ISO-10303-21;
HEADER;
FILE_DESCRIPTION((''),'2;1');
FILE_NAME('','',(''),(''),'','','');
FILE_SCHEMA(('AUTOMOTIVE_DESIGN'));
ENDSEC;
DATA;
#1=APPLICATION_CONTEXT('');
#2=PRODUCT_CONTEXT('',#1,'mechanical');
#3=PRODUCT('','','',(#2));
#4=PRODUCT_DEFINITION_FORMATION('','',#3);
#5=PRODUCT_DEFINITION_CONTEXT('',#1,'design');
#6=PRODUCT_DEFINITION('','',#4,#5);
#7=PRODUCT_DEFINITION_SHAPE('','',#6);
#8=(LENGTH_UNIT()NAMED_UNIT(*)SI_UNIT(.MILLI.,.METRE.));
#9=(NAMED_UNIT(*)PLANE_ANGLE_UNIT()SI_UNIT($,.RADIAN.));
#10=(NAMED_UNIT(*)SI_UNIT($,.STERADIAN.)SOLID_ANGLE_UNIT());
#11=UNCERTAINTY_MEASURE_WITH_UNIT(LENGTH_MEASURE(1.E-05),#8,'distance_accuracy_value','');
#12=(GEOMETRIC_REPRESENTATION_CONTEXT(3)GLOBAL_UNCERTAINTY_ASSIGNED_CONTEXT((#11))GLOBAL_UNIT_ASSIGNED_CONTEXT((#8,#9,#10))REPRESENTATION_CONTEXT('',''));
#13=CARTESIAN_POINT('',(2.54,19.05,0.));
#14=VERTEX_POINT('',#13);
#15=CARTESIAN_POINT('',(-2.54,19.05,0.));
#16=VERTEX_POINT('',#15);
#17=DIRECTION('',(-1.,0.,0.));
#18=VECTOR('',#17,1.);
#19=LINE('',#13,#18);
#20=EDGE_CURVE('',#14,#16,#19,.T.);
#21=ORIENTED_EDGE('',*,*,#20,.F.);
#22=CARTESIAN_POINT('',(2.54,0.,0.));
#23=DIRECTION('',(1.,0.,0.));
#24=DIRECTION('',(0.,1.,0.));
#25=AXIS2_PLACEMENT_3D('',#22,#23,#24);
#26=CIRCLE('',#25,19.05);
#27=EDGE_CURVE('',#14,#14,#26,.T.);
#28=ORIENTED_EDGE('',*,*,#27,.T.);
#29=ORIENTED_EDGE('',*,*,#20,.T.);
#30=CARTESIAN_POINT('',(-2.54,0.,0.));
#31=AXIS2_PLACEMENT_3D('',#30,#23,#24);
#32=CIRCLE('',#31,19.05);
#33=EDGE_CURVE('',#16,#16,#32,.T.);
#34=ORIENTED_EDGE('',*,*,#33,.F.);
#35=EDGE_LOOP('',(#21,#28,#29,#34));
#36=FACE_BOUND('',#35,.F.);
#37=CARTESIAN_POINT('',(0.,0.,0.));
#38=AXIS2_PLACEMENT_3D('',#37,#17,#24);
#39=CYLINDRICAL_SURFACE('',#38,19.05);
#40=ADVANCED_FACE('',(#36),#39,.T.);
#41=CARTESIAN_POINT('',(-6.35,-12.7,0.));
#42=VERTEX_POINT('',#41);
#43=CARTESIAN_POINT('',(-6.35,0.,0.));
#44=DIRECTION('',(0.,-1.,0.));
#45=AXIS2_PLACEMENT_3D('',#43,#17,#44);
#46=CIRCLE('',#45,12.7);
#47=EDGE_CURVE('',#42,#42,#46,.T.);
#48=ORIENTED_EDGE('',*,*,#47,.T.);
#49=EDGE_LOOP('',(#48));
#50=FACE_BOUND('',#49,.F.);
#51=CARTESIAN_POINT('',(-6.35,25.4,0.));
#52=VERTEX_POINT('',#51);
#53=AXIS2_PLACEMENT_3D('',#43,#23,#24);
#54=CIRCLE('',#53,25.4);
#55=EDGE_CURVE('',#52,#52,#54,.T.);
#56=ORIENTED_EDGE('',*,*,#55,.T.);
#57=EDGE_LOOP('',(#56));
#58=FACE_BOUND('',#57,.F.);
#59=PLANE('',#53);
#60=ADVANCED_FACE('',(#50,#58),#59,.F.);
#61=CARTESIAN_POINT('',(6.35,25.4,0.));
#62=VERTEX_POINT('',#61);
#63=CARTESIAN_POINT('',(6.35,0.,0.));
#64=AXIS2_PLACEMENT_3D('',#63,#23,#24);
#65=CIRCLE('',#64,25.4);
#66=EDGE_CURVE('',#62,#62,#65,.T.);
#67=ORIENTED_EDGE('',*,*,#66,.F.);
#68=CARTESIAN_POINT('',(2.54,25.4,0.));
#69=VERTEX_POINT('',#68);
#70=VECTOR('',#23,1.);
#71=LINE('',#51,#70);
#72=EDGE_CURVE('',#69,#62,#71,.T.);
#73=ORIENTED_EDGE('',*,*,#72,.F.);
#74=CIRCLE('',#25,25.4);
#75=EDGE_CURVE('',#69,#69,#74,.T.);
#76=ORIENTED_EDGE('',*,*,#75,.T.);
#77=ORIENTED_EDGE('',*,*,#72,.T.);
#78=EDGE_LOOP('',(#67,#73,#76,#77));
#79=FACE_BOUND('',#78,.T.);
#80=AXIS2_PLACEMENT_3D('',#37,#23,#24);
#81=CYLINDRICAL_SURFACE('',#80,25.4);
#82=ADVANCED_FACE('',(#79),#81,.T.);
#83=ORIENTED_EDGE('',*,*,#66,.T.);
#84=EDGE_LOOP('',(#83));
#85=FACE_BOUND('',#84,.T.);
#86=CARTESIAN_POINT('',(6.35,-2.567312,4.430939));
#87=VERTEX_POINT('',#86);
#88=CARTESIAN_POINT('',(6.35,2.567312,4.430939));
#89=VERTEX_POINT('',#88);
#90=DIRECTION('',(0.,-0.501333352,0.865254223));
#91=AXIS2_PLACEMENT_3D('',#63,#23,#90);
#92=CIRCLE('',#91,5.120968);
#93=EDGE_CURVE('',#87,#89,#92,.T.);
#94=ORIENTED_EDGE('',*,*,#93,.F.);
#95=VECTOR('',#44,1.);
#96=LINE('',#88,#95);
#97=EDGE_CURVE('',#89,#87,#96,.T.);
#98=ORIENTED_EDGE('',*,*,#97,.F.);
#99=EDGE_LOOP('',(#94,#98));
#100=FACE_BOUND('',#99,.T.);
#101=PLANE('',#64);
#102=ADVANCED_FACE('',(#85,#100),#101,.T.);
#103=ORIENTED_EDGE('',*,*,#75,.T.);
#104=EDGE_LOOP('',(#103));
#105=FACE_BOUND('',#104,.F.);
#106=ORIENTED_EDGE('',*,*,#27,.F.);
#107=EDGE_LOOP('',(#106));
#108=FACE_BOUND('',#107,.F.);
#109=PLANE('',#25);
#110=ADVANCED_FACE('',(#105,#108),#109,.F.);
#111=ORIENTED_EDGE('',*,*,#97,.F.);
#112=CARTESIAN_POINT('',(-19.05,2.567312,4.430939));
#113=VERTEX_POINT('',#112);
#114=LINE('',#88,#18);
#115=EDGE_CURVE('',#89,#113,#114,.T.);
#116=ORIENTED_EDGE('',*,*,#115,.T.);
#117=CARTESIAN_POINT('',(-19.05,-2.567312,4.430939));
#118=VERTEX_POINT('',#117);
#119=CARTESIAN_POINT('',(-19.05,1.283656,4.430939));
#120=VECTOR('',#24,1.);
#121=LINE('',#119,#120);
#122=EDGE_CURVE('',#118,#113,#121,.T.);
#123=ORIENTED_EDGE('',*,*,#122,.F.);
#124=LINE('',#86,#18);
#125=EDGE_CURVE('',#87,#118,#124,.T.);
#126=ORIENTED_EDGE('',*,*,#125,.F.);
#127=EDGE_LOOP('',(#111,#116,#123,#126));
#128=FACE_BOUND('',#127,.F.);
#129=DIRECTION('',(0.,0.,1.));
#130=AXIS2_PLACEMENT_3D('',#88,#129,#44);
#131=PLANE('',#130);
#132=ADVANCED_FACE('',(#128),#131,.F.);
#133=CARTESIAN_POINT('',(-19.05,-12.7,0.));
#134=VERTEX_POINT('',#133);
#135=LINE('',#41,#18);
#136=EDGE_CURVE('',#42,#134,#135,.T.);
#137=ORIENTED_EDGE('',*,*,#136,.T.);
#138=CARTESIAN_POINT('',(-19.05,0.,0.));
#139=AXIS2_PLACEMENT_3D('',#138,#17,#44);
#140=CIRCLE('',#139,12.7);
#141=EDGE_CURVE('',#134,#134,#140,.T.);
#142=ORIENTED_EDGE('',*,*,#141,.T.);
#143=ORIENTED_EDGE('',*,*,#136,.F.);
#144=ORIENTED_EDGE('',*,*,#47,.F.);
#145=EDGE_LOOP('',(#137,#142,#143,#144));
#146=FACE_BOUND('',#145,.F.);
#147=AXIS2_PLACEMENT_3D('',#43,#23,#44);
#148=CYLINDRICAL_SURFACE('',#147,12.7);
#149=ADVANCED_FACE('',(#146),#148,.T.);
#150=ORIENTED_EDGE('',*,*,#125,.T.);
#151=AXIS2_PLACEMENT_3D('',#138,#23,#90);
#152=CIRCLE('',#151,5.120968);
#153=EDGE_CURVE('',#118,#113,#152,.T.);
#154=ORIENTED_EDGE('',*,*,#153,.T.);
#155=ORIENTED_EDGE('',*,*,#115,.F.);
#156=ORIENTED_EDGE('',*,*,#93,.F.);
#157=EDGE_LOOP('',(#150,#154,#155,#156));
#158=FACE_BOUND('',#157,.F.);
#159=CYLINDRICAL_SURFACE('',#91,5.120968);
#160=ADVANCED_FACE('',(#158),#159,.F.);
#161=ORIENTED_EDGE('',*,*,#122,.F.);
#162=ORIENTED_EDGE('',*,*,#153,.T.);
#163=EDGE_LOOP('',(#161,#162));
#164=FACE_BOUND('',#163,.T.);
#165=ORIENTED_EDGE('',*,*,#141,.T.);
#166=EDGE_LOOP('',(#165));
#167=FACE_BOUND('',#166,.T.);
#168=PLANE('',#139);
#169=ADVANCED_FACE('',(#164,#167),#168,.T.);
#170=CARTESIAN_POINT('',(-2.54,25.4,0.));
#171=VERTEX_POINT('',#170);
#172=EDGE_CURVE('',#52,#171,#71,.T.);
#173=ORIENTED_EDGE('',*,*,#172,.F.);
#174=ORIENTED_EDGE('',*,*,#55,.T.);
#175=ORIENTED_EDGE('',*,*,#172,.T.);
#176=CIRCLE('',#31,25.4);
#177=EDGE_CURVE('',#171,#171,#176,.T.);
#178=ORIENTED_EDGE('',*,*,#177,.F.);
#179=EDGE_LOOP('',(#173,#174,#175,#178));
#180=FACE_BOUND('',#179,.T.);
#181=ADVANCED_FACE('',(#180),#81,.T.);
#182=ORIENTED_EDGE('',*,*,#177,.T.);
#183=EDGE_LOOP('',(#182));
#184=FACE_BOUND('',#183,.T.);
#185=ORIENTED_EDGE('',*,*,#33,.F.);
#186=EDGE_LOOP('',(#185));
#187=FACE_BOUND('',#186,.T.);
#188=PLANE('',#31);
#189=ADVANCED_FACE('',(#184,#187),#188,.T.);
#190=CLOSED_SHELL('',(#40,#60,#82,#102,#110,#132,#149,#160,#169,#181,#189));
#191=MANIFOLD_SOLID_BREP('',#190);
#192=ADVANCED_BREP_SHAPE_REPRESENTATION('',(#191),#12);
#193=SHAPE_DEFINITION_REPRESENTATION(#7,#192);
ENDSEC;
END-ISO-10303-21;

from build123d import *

# Parameters (mm, degrees)
F0_R     = 25.4
F1_DEPTH = 6.35
F2_R     = 25.4
F2_R_2   = 19.05
F3_DEPTH = 2.54
F5_R     = 12.7
F6_DEPTH = 12.7
F7_DEPTH = 25.401


with BuildPart() as f1:
    # F0 (on Right) → F1 (new body, symmetric)
    with BuildSketch(Plane.YZ):
        Circle(F0_R)
    extrude(amount=F1_DEPTH, both=True)

    # F2 (on Right) → F3 (cut, symmetric)
    with BuildSketch(Plane.YZ):
        Circle(F2_R)
        Circle(F2_R_2, mode=Mode.SUBTRACT)
    extrude(amount=F3_DEPTH, both=True, mode=Mode.SUBTRACT)

    # F5 (on face) → F6 (join)
    with BuildSketch(Plane(origin=(-6.35, 0, 0), x_dir=(0, -1, 0), z_dir=(-1, 0, 0))):
        Circle(F5_R)
    extrude(amount=F6_DEPTH)

    # F4 (on face) → F7 (cut, through all)
    with BuildSketch(Plane.YZ.offset(6.35)):
        with BuildLine():
            Line((2.567312, 4.430939), (-2.567312, 4.430939))
            ThreePointArc((-2.567312, 4.430939), (0, -5.120968), (2.567312, 4.430939))
        make_face()
    extrude(amount=-F7_DEPTH, mode=Mode.SUBTRACT)


solid = f1.part
